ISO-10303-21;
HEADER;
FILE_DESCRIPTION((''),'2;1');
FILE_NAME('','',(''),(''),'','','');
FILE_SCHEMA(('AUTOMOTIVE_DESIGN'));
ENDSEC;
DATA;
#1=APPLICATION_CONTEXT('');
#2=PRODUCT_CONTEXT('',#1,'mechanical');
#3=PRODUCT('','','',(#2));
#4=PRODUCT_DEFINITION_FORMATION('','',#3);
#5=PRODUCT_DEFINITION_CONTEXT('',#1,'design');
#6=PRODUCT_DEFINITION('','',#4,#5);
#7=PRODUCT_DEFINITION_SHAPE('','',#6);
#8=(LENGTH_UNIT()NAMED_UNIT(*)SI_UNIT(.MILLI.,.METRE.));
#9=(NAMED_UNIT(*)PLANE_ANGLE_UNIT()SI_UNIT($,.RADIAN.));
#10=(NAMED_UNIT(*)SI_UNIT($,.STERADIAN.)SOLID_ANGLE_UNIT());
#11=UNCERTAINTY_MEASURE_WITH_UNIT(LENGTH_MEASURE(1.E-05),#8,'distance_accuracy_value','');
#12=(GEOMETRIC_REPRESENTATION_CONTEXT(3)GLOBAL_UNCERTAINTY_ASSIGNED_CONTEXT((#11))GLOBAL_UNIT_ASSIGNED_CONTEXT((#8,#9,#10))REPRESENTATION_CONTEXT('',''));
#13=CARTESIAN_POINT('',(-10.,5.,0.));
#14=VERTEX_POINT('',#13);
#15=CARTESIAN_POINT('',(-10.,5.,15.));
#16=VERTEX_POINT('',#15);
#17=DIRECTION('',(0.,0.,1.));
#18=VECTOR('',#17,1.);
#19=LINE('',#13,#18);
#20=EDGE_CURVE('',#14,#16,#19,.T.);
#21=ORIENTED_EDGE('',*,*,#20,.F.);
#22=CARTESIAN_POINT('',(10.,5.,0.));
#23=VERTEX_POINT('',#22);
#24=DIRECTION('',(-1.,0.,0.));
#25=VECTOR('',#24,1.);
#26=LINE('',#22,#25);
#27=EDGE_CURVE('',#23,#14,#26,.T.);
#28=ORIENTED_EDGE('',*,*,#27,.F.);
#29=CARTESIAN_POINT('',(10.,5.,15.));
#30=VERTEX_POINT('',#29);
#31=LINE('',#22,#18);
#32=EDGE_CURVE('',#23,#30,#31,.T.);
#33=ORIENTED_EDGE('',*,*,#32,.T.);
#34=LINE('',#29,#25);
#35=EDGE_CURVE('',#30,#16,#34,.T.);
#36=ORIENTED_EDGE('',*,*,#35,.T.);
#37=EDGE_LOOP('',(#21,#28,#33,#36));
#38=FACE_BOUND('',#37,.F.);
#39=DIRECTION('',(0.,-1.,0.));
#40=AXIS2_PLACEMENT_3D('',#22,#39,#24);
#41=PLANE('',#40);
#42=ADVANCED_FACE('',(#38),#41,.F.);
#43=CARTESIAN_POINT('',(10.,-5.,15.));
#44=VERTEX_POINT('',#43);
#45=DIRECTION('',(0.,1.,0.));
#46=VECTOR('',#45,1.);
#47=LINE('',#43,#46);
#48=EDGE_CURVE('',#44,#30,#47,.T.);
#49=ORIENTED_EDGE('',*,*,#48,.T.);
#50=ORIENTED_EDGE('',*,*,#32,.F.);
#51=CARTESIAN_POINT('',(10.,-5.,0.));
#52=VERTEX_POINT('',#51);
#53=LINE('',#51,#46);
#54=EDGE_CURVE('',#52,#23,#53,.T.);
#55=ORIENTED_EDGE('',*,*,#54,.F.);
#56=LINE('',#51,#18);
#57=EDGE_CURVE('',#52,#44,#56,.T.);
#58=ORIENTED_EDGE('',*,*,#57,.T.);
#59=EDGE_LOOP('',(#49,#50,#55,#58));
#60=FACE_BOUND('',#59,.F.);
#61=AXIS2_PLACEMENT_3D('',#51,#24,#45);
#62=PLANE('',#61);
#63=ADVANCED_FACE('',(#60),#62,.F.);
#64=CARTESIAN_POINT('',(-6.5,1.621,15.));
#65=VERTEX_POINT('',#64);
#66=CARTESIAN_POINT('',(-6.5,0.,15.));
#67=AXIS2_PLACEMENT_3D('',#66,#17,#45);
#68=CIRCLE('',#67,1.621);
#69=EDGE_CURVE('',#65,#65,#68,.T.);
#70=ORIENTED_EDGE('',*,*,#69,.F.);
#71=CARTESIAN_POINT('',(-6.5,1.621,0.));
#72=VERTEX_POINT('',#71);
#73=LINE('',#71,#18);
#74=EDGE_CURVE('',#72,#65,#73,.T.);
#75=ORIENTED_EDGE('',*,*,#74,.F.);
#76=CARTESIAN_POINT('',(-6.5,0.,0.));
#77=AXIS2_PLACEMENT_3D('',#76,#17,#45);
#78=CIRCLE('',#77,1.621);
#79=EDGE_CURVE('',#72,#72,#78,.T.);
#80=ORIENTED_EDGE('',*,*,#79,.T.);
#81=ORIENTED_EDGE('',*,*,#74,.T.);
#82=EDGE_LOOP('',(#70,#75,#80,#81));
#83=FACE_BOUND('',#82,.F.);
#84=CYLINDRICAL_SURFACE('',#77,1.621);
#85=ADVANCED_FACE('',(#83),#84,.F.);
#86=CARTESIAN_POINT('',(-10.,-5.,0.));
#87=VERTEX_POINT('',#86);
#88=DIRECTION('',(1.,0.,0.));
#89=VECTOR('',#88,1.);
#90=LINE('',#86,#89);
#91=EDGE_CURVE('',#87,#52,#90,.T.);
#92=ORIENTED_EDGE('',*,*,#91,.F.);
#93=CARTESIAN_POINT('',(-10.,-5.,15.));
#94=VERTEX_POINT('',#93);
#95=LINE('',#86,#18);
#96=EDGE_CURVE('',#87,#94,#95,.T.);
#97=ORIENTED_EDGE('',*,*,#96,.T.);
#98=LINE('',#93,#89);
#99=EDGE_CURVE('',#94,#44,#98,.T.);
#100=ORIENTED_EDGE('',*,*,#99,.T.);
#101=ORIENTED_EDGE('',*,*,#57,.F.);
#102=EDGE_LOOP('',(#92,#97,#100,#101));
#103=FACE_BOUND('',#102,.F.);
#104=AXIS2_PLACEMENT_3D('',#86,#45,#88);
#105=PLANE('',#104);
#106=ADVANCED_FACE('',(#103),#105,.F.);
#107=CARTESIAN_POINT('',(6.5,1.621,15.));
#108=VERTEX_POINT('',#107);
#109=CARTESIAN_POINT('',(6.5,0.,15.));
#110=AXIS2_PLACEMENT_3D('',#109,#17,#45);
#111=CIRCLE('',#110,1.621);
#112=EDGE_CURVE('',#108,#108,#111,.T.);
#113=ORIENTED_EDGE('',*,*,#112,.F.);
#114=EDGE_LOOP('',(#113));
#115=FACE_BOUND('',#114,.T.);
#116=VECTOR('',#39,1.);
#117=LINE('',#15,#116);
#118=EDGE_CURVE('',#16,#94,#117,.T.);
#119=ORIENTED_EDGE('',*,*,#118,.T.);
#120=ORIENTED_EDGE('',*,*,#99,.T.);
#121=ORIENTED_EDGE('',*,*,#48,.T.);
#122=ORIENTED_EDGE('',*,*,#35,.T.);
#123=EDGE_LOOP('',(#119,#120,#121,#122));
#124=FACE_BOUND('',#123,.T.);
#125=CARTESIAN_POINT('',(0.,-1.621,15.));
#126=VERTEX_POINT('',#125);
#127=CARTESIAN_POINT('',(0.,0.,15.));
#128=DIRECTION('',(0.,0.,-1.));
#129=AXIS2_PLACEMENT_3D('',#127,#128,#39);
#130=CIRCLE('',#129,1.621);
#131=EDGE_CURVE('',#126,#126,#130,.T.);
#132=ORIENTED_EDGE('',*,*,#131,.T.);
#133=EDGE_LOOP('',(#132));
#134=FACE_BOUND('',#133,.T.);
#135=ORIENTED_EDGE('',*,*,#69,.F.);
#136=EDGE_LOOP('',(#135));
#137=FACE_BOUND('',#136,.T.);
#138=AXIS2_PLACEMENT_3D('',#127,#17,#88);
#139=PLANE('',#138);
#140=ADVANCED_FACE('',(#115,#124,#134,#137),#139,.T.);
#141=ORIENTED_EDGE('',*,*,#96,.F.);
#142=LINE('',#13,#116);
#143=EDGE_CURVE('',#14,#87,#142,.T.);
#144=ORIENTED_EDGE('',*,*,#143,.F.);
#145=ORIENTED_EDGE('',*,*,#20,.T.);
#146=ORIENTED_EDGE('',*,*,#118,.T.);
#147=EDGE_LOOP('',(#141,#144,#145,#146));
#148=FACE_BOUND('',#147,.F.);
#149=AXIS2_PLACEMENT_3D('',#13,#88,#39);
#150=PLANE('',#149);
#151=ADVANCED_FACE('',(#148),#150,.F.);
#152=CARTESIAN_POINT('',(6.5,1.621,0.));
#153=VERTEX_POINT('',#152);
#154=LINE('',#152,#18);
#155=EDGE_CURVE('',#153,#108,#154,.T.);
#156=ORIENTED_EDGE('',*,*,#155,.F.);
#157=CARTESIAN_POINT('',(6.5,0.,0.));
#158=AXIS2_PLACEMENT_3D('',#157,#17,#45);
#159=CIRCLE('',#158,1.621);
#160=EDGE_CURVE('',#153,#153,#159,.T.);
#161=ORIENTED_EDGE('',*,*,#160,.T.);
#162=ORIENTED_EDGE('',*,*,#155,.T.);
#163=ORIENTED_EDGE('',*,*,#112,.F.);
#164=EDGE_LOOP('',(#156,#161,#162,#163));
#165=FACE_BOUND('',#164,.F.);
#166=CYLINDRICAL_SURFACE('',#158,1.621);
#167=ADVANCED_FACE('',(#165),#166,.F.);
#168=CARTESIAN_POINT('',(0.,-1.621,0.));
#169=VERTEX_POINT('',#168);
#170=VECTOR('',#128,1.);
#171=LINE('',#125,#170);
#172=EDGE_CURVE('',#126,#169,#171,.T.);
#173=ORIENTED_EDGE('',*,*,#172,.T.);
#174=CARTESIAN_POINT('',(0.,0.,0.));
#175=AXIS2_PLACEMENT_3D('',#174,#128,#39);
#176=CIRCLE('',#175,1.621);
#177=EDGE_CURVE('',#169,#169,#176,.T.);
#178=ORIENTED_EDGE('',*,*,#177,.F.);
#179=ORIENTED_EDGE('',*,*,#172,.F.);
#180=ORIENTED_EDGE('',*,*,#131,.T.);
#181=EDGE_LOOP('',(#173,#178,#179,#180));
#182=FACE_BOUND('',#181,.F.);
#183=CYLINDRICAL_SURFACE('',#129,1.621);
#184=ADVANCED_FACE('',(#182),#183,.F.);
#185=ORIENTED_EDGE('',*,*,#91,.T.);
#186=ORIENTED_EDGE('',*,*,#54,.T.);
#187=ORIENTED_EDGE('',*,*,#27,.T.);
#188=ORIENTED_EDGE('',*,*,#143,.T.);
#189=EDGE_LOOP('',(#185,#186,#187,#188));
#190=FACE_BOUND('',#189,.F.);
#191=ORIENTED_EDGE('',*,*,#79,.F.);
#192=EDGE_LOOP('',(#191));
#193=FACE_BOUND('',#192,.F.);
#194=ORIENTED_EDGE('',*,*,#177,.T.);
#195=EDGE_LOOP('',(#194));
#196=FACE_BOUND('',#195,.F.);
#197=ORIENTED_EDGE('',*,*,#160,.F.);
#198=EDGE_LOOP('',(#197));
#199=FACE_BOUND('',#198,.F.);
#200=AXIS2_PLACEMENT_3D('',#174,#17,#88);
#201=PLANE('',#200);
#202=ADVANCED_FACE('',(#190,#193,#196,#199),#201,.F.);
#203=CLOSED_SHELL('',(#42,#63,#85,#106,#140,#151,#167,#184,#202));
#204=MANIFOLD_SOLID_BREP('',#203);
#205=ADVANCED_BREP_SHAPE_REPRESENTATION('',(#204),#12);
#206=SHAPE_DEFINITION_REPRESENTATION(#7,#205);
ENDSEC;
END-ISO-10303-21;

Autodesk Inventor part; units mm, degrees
ref_plane "YZ Plane" through (0, 0, 0) normal (1, 0, 0) x (0, 1, 0)
ref_plane "XZ Plane" through (0, 0, 0) normal (0, 1, 0) x (-1, 0, 0)
ref_plane "XY Plane" through (0, 0, 0) normal (0, 0, 1) x (1, 0, 0)
sketch "Skizze1" plane through (0, 0, 0) normal (0, 0, 1) x (1, 0, 0)
  line L0 (-10, -5) -> (10, -5)
  line L1 (10, -5) -> (10, 5)
  line L2 (10, 5) -> (-10, 5)
  line L3 (-10, 5) -> (-10, -5)
  line L4 (-10, -5) -> (10, 5) construction
  line L5 (10, -5) -> (-10, 5) construction
  circle A0 centre (0, 0) radius 2
  circle A1 centre (-6.5, 0) radius 2
  circle A2 centre (6.5, 0) radius 2
  line L6 (-10, 0) -> (10, 0) construction
  dimension "d0" = 10
  dimension "d1" = 20
  dimension "d2" = 4
  dimension "d3" = 6.5
  dimension "d4" = 6.5
extrude "Extrusion1" add sketch "Skizze1" along normal blind 15 contours L3 L2 L1 L0 | A0 | A1 | A2
sketch "Skizze2" plane through (0, 0, 15) normal (0, 0, 1) x (1, 0, 0)
  point P0 (0, 0)
hole "Bohrung1" at (0, 0, 15) direction (0, 0, -1) diameter 3.242 end through all thread size "M4x0.7" class "6H" standard "ANSI Metric M Profile"
sketch "Skizze3" plane through (0, 0, 0) normal (0, 0, -1) x (-1, 0, 0)
  point P0 (0, 0)
  point P1 (-6.5, 0)
  point P2 (6.5, 0)
hole "Bohrung2" at (6.5, 0, 0) at (-6.5, 0, 0) direction (0, 0, 1) diameter 3.242 end through all thread size "M4x0.7" class "6H" standard "ANSI Metric M Profile"
equation "\"d4\" = d3"
properties part number "Alu_Belt_tens" material "Aluminium 6061"
